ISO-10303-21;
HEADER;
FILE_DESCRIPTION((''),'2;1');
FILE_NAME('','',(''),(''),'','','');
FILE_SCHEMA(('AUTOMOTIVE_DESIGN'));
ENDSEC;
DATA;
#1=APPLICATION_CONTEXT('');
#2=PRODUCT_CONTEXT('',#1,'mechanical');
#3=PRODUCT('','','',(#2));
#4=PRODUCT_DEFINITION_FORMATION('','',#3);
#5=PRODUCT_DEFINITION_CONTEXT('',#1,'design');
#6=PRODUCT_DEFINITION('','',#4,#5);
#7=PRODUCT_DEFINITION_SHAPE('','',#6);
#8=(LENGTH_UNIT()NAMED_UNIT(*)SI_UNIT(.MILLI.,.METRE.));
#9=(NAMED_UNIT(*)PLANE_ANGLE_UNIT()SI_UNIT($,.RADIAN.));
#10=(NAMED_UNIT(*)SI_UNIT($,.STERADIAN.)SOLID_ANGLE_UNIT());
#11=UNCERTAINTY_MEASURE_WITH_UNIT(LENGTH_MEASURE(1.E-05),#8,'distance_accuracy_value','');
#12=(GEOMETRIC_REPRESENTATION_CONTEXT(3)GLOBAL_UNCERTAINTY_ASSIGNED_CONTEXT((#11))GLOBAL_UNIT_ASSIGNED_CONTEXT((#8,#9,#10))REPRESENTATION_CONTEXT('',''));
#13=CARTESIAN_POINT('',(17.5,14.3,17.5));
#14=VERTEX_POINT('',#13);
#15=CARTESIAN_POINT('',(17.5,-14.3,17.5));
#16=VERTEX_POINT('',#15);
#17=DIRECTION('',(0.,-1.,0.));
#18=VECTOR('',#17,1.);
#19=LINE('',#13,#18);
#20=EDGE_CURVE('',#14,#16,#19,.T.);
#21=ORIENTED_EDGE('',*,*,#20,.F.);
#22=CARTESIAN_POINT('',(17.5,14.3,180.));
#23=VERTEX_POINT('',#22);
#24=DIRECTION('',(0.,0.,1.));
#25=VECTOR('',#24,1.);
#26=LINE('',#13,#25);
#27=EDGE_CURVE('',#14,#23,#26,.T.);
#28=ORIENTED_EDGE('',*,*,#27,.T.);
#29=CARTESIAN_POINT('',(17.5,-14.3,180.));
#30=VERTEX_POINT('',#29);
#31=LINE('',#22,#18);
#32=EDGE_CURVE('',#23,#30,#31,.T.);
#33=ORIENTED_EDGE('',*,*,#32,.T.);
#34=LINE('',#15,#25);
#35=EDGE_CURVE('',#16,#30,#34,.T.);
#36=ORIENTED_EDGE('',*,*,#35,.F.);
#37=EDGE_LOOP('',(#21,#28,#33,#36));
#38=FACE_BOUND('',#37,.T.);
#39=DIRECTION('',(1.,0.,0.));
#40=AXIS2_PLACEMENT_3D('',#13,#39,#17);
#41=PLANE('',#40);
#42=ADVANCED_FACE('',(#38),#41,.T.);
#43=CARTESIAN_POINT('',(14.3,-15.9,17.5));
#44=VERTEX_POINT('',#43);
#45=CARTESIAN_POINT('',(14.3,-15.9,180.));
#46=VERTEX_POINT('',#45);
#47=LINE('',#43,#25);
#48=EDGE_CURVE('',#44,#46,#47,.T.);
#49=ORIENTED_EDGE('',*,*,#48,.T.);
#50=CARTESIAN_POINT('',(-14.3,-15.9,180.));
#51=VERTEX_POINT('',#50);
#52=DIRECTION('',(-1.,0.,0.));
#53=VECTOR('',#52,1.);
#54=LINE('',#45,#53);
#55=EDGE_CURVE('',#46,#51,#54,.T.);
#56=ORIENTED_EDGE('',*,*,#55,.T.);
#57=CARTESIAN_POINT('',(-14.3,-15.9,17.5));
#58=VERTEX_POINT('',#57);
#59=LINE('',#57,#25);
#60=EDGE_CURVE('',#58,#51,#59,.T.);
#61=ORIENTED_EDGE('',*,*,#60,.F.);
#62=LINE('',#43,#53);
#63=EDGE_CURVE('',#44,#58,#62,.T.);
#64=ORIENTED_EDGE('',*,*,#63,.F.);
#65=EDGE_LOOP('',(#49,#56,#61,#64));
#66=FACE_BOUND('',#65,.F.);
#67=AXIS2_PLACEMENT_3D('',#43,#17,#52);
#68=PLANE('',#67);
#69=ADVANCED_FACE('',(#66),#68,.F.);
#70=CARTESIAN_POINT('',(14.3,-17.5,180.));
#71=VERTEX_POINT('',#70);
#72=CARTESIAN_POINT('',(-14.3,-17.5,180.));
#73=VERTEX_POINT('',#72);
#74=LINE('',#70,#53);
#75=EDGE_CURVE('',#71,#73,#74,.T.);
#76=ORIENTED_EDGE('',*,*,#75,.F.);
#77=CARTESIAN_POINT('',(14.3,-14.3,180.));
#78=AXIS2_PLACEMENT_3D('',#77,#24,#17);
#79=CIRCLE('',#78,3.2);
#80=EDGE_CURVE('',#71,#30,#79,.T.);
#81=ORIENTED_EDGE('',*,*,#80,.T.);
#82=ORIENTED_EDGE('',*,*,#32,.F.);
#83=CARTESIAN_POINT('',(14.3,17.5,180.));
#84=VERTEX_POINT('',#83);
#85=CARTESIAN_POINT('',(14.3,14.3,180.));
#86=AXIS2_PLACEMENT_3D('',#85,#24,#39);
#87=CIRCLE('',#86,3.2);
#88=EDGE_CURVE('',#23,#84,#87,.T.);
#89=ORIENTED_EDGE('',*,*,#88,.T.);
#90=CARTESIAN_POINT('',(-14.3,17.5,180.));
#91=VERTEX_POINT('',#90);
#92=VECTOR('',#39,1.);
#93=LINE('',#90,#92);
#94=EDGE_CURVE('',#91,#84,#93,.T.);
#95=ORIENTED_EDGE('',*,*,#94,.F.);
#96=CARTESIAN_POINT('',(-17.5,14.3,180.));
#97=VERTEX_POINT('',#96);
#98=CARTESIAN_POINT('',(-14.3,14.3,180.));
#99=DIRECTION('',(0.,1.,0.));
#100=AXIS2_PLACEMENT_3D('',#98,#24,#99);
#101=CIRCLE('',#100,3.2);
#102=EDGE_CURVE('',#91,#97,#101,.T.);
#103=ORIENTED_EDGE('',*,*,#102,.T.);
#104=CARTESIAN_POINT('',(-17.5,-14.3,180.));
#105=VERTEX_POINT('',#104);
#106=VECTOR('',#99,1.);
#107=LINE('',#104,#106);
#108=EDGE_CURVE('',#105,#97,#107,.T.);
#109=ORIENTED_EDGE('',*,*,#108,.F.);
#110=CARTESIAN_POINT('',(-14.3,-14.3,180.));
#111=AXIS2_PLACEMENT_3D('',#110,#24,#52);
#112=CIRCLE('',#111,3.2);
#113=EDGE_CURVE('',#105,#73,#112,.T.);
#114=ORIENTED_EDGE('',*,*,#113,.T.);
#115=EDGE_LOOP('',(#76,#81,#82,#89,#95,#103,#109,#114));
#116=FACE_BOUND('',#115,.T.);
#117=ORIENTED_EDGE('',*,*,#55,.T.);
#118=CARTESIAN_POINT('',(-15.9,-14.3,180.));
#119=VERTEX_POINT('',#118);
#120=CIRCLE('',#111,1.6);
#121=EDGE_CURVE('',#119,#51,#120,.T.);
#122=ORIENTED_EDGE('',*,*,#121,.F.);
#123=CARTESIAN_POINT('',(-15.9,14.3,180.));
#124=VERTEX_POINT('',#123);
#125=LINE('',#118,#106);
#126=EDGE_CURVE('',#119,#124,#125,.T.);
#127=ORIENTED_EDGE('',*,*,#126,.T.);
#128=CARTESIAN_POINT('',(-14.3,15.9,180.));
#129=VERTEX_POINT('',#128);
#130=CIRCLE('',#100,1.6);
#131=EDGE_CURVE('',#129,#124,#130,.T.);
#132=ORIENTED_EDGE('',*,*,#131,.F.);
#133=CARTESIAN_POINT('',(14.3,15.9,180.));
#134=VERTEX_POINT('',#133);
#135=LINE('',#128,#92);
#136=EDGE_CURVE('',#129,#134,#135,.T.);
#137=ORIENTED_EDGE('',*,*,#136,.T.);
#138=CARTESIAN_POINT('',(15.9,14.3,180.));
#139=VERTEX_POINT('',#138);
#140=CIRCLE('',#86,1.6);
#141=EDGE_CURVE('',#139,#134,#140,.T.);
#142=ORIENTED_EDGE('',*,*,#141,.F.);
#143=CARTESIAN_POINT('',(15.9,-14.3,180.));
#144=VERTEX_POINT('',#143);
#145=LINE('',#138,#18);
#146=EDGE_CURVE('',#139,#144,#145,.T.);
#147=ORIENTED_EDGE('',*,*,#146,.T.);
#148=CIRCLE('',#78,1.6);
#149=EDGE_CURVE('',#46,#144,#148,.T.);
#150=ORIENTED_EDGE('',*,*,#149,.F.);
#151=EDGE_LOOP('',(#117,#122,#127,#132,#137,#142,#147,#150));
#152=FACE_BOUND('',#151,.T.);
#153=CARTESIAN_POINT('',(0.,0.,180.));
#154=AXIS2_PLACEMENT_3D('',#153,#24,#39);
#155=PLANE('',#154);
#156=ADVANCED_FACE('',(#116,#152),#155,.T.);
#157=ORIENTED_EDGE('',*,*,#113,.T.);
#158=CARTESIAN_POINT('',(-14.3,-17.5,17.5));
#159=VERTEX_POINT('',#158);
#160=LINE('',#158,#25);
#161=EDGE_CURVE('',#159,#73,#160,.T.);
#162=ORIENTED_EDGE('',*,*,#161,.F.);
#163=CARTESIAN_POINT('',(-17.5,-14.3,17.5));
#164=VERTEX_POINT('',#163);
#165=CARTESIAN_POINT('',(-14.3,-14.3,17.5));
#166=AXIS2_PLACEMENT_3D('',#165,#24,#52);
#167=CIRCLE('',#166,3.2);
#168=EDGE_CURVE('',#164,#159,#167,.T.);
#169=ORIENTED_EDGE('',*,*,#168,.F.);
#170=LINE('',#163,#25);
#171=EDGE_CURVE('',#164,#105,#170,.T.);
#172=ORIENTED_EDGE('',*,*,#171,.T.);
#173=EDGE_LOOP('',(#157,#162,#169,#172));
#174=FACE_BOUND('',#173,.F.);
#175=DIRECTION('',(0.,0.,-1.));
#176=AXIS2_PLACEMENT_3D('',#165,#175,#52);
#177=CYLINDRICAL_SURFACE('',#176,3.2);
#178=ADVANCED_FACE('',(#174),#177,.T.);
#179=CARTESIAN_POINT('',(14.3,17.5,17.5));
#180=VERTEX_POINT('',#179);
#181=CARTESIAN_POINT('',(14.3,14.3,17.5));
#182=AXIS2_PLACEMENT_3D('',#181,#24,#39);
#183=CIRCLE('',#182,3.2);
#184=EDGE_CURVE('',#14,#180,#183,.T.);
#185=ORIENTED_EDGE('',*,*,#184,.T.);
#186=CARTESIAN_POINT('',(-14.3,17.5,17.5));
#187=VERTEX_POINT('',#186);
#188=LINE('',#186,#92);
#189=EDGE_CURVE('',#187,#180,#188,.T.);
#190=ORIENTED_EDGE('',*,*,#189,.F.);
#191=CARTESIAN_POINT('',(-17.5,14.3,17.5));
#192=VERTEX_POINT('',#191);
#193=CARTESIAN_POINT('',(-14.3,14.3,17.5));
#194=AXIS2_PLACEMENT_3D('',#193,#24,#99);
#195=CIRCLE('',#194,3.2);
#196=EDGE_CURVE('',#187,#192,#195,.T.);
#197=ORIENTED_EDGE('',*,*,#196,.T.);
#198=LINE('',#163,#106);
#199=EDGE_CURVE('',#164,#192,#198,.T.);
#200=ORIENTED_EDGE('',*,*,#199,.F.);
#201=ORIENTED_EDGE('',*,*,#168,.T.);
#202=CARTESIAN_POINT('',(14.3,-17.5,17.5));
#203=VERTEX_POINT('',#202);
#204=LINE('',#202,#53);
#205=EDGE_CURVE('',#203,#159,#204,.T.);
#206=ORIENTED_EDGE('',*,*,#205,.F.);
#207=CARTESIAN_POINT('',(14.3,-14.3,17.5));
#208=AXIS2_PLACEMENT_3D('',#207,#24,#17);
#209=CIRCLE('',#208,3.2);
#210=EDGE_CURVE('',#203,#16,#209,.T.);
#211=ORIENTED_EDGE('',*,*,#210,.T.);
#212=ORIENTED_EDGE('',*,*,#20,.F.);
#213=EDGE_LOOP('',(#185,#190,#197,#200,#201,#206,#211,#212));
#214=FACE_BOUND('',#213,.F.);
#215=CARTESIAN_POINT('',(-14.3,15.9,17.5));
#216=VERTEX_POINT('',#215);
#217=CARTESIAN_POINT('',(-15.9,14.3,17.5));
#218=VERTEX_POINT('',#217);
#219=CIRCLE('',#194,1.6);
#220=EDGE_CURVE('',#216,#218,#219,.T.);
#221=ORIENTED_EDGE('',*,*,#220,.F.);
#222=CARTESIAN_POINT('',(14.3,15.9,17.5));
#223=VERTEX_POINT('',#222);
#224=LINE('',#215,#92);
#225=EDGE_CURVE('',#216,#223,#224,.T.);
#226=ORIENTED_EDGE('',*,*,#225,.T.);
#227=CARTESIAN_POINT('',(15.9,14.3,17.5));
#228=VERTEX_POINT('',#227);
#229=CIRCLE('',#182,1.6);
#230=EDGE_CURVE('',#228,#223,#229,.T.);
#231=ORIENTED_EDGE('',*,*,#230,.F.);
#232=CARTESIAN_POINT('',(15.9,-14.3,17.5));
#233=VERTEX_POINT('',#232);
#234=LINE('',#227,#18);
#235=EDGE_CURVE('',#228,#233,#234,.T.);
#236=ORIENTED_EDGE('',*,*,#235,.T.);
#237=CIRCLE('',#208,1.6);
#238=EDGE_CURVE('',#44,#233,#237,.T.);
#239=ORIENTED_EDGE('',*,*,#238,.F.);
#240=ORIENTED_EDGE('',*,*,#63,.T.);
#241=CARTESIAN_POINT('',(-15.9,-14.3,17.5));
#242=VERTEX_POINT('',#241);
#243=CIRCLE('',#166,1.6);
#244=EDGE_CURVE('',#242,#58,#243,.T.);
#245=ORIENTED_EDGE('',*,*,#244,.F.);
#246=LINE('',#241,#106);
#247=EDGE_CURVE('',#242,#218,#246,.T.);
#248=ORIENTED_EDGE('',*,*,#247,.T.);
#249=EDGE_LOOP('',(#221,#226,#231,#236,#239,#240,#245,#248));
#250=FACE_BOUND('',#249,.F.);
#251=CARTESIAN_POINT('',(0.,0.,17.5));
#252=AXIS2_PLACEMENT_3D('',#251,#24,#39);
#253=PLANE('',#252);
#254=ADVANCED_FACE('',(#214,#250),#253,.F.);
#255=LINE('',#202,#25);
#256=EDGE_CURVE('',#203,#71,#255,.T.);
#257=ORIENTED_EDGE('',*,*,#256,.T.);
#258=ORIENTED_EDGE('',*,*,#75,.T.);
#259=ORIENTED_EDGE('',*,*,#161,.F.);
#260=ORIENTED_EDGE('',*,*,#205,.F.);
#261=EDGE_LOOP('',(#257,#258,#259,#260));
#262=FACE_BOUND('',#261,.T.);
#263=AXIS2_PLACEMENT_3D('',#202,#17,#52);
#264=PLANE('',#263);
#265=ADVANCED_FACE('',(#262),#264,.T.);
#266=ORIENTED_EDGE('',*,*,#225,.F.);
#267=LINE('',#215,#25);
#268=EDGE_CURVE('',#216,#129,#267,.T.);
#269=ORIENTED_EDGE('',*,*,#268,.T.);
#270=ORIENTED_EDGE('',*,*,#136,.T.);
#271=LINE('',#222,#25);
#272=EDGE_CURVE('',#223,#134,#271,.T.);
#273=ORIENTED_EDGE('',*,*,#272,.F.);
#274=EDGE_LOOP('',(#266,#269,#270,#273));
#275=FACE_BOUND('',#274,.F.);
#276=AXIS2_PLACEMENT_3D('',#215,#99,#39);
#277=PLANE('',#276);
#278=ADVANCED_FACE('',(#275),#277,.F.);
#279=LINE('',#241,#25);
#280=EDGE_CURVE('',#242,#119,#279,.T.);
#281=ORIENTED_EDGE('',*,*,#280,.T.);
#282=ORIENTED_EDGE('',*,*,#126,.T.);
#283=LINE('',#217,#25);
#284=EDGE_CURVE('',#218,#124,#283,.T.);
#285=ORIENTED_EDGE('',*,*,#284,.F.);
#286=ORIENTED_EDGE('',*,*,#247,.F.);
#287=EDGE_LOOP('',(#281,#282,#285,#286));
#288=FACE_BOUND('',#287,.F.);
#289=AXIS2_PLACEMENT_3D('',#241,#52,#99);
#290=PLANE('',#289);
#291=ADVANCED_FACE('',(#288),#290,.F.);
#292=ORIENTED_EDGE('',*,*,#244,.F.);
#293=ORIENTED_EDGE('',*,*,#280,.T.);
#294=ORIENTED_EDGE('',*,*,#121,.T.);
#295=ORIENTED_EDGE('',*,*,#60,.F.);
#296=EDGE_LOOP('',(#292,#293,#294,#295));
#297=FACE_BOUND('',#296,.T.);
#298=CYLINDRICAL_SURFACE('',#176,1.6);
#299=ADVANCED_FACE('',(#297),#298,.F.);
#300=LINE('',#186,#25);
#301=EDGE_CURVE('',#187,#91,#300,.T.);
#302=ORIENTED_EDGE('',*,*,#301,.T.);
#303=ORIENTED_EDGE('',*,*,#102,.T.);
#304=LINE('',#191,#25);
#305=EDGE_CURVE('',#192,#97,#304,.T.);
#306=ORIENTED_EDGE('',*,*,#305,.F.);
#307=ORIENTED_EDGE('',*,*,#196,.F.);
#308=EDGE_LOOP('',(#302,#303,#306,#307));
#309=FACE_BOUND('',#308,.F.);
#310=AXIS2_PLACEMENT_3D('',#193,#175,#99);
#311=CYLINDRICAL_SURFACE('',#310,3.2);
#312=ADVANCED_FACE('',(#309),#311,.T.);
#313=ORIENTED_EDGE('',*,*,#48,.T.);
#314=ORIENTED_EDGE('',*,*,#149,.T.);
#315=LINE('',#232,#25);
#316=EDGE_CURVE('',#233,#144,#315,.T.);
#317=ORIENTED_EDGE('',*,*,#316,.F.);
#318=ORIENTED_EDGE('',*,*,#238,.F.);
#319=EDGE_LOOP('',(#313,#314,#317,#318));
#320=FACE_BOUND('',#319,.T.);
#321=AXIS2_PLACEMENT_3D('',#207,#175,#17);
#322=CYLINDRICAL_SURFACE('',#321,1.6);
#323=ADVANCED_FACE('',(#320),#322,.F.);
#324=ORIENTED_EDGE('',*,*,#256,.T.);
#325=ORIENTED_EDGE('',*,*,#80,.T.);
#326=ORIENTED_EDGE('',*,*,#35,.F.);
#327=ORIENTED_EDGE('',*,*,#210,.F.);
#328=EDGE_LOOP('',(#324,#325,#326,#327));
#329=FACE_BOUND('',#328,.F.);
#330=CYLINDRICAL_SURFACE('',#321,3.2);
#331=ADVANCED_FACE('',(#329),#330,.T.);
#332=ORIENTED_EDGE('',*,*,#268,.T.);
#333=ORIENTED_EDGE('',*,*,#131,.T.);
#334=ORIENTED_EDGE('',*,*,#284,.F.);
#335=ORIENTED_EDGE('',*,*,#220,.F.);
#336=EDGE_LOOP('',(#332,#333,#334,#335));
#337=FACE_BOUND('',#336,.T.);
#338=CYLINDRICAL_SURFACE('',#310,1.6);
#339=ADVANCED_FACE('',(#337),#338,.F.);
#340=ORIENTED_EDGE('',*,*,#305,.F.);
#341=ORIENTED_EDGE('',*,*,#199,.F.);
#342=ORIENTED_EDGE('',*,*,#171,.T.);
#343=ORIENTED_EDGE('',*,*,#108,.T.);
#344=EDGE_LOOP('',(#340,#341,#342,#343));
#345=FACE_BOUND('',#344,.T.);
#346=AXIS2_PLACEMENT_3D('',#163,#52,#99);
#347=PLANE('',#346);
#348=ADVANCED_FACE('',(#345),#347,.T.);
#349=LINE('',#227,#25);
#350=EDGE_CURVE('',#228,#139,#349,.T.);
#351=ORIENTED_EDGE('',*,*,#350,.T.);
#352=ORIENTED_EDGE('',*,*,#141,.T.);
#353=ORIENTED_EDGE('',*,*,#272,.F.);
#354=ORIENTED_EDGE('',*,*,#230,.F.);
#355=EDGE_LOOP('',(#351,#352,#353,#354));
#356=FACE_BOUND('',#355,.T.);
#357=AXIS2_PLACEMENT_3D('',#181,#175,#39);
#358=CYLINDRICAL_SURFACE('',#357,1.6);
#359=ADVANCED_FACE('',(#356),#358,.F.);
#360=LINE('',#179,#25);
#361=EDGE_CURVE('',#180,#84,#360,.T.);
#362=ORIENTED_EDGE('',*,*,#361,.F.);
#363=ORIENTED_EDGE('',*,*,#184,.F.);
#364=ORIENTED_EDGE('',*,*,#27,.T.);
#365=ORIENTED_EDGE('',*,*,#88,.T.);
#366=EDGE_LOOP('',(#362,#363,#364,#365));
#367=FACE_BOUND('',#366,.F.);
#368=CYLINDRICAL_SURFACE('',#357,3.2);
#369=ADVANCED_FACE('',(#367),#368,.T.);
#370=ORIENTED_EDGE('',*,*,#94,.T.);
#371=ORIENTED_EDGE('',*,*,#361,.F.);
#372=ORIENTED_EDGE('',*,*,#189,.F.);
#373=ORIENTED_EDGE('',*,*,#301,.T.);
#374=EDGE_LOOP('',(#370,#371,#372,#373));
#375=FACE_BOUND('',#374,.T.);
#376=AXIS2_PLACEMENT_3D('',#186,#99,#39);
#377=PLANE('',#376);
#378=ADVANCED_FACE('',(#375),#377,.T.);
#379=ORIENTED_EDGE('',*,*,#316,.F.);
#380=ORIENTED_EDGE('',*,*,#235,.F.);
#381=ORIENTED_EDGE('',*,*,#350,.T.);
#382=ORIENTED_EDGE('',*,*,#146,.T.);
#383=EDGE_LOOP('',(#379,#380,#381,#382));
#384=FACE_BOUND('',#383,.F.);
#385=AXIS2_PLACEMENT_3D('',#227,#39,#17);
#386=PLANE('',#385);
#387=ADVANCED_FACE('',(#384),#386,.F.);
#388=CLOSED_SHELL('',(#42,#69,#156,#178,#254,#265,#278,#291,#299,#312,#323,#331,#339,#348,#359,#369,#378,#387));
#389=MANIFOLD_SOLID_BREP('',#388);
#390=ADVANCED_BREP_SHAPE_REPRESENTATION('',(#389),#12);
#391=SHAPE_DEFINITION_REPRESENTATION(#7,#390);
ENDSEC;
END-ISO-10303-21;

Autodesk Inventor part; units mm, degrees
ref_plane "Start plane" through (0, 0, 17.5) normal (0, 0, 1) x (1, 0, 0)
ref_plane "End plane" through (0, 0, 180) normal (0, 0, 1) x (1, 0, 0)
sketch "Sketch" plane through (0, 0, 0) normal (0, 0, 1) x (1, 0, 0)
  line L0 (-17.5, -14.3) -> (-17.5, 14.3)
  line L1 (-14.3, 17.5) -> (14.3, 17.5)
  line L2 (17.5, 14.3) -> (17.5, -14.3)
  line L3 (14.3, -17.5) -> (-14.3, -17.5)
  arc A0 (-17.5, -14.3) -> (-14.3, -17.5) centre (-14.3, -14.3) ccw
  arc A1 (-14.3, 17.5) -> (-17.5, 14.3) centre (-14.3, 14.3) ccw
  arc A2 (17.5, 14.3) -> (14.3, 17.5) centre (14.3, 14.3) ccw
  arc A3 (14.3, -17.5) -> (17.5, -14.3) centre (14.3, -14.3) ccw
  arc A4 (-14.3, 15.9) -> (-15.9, 14.3) centre (-14.3, 14.3) ccw
  line L4 (-14.3, 15.9) -> (14.3, 15.9)
  arc A5 (15.9, 14.3) -> (14.3, 15.9) centre (14.3, 14.3) ccw
  line L5 (15.9, 14.3) -> (15.9, -14.3)
  arc A6 (14.3, -15.9) -> (15.9, -14.3) centre (14.3, -14.3) ccw
  line L6 (14.3, -15.9) -> (-14.3, -15.9)
  arc A7 (-15.9, -14.3) -> (-14.3, -15.9) centre (-14.3, -14.3) ccw
  line L7 (-15.9, -14.3) -> (-15.9, 14.3)
  line L8 (0, 25.4278) -> (0, -25.4278) construction
  line L9 (-25.4278, 0) -> (25.4278, 0) construction
  dimension "d7" = 3.2
  dimension "d10" = 35
  dimension "d11" = 35
  dimension "d12" = 1.6
  dimension "d15" = 17.5
  dimension "d16" = 17.5
extrude "Body" add sketch "Sketch" along normal up to surface (162.5 mm away) from surface at 17.5
sketch "Sketch3" plane through (0, 0, 0) normal (0, 0, 1) x (1, 0, 0)
  line L0 (0, 0) -> (10, 0)
ref_plane "Work Plane3" through (0, 0, 0) normal (0, -1, 0) x (1, 0, 0)
sketch "Sketch4" plane through (0, 0, 0) normal (0, -1, 0) x (1, 0, 0)
  line L0 (-2, 17.5) -> (12, 17.5)
  line L1 (-2, 180) -> (12, 180)
  dimension "d18" = 162.5
ref_plane "Work Plane4" through (0, 0, 17.5) normal (0, 0, -1) x (-1, 0, 0)
split "Split1" plane through (0, 0, 17.5) removes the side toward (0, 0, -1)
equation "\"d7\" = G_IR"
equation "\"d10\" = G_H"
equation "\"d11\" = G_W"
equation "\"d12\" = G_T"
equation "\"d15\" = 0.5 * d10"
equation "\"d16\" = 0.5 * d11"
equation "\"d3\" = G_L"
equation "\"G_W\" = 35"
equation "\"G_H\" = 35"
equation "\"G_T\" = 1.6"
equation "\"G_IR\" = 3.2"
equation "\"G_L\" = d18"
equation "\"G_OFFSET_START\" = -17.5"
equation "\"G_OFFSET_END\" = 0"
equation "\"d13\" = -G_OFFSET_START"
properties part number "AS 1163 - C350L0 35x35x1.6 SHS - 162.5" material "Steel, Mild"
